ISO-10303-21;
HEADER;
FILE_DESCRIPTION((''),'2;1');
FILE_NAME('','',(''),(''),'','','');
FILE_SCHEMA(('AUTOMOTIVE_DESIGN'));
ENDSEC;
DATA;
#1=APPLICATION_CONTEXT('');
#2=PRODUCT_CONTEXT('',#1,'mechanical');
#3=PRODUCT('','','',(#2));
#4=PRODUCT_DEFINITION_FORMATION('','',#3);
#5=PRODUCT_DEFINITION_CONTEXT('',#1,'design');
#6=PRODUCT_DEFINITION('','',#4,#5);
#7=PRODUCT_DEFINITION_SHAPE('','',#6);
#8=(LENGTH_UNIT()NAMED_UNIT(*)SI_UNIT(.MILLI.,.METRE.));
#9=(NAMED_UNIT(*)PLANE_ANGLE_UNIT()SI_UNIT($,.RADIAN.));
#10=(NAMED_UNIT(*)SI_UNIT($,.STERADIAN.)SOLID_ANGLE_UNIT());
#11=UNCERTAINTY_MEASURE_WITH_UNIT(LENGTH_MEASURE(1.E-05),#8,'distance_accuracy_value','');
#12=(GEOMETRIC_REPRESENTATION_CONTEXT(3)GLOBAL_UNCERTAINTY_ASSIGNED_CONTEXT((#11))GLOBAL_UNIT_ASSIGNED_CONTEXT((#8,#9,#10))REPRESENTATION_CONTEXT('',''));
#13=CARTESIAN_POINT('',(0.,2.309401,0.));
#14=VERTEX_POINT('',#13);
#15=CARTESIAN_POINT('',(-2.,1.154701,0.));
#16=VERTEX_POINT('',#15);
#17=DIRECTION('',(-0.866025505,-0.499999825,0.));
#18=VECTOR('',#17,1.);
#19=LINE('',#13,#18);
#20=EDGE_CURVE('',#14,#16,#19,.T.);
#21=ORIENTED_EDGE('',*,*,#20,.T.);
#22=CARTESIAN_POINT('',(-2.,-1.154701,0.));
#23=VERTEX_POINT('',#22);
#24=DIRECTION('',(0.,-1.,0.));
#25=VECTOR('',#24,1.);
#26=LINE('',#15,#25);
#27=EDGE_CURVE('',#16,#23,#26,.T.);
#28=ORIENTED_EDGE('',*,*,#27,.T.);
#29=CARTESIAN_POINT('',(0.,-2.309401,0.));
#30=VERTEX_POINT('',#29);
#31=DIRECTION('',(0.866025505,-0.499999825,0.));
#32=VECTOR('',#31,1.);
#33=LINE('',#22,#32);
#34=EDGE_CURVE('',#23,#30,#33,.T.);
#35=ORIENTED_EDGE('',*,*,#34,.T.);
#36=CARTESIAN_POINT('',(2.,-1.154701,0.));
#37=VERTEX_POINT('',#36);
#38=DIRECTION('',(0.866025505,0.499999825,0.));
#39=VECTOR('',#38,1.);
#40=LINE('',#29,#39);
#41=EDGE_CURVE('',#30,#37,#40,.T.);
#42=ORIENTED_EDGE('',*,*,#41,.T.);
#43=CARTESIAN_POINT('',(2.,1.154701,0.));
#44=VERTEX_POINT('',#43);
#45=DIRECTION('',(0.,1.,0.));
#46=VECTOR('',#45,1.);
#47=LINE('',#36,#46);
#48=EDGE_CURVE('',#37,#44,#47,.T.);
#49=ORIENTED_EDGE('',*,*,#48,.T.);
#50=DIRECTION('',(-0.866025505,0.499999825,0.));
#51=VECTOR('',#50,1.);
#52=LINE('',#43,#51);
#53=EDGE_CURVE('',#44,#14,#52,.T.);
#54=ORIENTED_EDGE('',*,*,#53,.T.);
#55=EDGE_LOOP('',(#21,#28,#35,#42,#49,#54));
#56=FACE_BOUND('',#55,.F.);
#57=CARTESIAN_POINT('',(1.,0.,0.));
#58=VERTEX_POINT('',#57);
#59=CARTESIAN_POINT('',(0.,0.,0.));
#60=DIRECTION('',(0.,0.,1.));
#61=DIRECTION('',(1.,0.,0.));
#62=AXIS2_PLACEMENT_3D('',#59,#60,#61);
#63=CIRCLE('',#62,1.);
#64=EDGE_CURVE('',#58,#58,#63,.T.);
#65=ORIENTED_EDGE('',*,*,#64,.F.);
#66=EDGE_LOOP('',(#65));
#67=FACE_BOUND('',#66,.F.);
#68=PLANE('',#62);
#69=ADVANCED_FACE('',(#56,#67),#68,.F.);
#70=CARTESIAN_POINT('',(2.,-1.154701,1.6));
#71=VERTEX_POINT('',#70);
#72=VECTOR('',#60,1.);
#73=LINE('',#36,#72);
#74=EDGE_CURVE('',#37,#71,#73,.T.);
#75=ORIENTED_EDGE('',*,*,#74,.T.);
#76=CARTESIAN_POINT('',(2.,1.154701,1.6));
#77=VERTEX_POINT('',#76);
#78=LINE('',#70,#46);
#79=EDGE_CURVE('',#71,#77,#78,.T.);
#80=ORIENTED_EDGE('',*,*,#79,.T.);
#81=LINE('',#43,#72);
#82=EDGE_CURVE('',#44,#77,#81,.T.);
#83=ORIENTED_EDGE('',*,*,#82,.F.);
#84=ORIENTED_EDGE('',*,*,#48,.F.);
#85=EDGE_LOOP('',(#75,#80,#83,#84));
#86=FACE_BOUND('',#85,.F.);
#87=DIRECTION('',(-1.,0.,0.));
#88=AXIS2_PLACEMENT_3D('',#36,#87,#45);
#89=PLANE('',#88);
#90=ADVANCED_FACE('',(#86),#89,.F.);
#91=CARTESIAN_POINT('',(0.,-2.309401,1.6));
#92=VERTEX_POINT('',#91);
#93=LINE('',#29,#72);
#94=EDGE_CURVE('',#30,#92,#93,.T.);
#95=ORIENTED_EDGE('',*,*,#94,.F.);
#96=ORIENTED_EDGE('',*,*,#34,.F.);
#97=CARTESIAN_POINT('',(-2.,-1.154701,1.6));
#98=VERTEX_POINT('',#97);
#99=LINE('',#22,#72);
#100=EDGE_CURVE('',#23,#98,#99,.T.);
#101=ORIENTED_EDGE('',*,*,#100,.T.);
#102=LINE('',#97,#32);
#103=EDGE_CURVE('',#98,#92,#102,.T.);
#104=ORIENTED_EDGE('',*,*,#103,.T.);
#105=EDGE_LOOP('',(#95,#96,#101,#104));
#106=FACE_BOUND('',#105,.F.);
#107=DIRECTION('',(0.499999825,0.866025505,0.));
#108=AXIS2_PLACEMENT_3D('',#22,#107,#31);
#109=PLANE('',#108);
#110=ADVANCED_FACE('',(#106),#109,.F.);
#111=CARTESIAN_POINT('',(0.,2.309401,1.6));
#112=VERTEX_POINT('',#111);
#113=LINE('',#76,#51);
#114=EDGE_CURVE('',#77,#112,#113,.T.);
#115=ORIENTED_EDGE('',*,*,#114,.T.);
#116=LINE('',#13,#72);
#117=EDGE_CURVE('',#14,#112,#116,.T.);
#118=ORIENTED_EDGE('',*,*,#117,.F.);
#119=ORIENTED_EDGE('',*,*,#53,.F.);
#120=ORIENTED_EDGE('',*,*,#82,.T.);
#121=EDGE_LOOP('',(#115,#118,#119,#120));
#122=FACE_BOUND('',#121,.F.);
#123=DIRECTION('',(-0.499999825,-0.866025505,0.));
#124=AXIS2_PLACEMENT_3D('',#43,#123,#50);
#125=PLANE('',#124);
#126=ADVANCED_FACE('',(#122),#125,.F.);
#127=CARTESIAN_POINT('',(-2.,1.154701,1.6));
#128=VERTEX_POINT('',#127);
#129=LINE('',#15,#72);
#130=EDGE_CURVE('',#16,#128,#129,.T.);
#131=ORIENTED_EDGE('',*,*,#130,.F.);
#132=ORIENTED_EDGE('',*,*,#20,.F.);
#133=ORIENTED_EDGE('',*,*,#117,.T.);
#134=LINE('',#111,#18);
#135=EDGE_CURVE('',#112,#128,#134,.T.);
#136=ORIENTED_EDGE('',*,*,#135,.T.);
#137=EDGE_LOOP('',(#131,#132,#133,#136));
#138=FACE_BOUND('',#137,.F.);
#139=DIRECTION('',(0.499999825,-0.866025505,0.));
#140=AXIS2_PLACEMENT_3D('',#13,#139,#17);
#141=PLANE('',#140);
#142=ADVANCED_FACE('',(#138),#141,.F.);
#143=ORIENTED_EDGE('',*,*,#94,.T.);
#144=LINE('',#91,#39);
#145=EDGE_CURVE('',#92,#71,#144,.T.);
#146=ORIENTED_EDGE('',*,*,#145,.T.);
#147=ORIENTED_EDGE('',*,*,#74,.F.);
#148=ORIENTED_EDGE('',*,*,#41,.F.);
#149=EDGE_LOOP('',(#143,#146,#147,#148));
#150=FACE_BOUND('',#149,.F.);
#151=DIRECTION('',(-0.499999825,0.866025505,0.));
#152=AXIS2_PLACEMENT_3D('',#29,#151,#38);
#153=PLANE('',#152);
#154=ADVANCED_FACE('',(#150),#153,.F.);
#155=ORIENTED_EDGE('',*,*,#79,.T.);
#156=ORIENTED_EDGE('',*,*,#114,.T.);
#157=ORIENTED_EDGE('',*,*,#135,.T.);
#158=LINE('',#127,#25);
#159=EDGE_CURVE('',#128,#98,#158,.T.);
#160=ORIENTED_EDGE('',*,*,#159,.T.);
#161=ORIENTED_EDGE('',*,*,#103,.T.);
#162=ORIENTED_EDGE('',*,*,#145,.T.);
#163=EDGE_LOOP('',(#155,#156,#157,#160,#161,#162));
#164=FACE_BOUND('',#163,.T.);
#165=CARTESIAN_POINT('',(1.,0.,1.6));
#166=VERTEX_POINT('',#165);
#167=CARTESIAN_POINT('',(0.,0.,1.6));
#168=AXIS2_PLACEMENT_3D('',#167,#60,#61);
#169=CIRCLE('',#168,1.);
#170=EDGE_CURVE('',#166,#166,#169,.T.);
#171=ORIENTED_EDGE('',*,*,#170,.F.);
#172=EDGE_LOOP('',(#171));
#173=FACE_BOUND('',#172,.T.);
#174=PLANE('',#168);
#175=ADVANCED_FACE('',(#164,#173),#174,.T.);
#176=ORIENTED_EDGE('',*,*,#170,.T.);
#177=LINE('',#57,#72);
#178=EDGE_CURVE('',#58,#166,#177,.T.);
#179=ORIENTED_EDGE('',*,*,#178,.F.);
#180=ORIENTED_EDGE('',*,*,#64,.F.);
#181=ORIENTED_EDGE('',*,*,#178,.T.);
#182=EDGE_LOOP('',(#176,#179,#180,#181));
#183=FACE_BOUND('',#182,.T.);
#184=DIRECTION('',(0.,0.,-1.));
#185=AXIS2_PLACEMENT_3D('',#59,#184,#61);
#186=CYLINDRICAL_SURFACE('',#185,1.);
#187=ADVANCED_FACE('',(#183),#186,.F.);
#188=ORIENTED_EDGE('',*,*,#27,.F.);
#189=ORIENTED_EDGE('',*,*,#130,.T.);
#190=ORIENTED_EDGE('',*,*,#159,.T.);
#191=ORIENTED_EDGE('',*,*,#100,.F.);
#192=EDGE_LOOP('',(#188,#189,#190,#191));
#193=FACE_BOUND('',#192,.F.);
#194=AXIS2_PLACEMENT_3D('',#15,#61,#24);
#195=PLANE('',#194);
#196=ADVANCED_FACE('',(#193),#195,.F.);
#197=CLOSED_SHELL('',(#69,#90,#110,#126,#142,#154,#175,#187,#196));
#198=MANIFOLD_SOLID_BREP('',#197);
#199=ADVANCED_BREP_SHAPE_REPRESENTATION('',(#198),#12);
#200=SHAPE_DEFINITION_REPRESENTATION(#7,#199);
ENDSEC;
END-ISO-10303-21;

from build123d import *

# Parameters (mm, degrees)
SKETCH_R  = 1
PAD_DEPTH = 1.6


with BuildPart() as part:
    # Sketch → Pad (new body)
    with BuildSketch(Plane.XY):
        Polygon((2, 1.154701), (0, 2.309401), (-2, 1.154701), (-2, -1.154701), (0, -2.309401), (2, -1.154701), align=None)
        Circle(SKETCH_R, mode=Mode.SUBTRACT)
    extrude(amount=PAD_DEPTH)


solid = part.part
